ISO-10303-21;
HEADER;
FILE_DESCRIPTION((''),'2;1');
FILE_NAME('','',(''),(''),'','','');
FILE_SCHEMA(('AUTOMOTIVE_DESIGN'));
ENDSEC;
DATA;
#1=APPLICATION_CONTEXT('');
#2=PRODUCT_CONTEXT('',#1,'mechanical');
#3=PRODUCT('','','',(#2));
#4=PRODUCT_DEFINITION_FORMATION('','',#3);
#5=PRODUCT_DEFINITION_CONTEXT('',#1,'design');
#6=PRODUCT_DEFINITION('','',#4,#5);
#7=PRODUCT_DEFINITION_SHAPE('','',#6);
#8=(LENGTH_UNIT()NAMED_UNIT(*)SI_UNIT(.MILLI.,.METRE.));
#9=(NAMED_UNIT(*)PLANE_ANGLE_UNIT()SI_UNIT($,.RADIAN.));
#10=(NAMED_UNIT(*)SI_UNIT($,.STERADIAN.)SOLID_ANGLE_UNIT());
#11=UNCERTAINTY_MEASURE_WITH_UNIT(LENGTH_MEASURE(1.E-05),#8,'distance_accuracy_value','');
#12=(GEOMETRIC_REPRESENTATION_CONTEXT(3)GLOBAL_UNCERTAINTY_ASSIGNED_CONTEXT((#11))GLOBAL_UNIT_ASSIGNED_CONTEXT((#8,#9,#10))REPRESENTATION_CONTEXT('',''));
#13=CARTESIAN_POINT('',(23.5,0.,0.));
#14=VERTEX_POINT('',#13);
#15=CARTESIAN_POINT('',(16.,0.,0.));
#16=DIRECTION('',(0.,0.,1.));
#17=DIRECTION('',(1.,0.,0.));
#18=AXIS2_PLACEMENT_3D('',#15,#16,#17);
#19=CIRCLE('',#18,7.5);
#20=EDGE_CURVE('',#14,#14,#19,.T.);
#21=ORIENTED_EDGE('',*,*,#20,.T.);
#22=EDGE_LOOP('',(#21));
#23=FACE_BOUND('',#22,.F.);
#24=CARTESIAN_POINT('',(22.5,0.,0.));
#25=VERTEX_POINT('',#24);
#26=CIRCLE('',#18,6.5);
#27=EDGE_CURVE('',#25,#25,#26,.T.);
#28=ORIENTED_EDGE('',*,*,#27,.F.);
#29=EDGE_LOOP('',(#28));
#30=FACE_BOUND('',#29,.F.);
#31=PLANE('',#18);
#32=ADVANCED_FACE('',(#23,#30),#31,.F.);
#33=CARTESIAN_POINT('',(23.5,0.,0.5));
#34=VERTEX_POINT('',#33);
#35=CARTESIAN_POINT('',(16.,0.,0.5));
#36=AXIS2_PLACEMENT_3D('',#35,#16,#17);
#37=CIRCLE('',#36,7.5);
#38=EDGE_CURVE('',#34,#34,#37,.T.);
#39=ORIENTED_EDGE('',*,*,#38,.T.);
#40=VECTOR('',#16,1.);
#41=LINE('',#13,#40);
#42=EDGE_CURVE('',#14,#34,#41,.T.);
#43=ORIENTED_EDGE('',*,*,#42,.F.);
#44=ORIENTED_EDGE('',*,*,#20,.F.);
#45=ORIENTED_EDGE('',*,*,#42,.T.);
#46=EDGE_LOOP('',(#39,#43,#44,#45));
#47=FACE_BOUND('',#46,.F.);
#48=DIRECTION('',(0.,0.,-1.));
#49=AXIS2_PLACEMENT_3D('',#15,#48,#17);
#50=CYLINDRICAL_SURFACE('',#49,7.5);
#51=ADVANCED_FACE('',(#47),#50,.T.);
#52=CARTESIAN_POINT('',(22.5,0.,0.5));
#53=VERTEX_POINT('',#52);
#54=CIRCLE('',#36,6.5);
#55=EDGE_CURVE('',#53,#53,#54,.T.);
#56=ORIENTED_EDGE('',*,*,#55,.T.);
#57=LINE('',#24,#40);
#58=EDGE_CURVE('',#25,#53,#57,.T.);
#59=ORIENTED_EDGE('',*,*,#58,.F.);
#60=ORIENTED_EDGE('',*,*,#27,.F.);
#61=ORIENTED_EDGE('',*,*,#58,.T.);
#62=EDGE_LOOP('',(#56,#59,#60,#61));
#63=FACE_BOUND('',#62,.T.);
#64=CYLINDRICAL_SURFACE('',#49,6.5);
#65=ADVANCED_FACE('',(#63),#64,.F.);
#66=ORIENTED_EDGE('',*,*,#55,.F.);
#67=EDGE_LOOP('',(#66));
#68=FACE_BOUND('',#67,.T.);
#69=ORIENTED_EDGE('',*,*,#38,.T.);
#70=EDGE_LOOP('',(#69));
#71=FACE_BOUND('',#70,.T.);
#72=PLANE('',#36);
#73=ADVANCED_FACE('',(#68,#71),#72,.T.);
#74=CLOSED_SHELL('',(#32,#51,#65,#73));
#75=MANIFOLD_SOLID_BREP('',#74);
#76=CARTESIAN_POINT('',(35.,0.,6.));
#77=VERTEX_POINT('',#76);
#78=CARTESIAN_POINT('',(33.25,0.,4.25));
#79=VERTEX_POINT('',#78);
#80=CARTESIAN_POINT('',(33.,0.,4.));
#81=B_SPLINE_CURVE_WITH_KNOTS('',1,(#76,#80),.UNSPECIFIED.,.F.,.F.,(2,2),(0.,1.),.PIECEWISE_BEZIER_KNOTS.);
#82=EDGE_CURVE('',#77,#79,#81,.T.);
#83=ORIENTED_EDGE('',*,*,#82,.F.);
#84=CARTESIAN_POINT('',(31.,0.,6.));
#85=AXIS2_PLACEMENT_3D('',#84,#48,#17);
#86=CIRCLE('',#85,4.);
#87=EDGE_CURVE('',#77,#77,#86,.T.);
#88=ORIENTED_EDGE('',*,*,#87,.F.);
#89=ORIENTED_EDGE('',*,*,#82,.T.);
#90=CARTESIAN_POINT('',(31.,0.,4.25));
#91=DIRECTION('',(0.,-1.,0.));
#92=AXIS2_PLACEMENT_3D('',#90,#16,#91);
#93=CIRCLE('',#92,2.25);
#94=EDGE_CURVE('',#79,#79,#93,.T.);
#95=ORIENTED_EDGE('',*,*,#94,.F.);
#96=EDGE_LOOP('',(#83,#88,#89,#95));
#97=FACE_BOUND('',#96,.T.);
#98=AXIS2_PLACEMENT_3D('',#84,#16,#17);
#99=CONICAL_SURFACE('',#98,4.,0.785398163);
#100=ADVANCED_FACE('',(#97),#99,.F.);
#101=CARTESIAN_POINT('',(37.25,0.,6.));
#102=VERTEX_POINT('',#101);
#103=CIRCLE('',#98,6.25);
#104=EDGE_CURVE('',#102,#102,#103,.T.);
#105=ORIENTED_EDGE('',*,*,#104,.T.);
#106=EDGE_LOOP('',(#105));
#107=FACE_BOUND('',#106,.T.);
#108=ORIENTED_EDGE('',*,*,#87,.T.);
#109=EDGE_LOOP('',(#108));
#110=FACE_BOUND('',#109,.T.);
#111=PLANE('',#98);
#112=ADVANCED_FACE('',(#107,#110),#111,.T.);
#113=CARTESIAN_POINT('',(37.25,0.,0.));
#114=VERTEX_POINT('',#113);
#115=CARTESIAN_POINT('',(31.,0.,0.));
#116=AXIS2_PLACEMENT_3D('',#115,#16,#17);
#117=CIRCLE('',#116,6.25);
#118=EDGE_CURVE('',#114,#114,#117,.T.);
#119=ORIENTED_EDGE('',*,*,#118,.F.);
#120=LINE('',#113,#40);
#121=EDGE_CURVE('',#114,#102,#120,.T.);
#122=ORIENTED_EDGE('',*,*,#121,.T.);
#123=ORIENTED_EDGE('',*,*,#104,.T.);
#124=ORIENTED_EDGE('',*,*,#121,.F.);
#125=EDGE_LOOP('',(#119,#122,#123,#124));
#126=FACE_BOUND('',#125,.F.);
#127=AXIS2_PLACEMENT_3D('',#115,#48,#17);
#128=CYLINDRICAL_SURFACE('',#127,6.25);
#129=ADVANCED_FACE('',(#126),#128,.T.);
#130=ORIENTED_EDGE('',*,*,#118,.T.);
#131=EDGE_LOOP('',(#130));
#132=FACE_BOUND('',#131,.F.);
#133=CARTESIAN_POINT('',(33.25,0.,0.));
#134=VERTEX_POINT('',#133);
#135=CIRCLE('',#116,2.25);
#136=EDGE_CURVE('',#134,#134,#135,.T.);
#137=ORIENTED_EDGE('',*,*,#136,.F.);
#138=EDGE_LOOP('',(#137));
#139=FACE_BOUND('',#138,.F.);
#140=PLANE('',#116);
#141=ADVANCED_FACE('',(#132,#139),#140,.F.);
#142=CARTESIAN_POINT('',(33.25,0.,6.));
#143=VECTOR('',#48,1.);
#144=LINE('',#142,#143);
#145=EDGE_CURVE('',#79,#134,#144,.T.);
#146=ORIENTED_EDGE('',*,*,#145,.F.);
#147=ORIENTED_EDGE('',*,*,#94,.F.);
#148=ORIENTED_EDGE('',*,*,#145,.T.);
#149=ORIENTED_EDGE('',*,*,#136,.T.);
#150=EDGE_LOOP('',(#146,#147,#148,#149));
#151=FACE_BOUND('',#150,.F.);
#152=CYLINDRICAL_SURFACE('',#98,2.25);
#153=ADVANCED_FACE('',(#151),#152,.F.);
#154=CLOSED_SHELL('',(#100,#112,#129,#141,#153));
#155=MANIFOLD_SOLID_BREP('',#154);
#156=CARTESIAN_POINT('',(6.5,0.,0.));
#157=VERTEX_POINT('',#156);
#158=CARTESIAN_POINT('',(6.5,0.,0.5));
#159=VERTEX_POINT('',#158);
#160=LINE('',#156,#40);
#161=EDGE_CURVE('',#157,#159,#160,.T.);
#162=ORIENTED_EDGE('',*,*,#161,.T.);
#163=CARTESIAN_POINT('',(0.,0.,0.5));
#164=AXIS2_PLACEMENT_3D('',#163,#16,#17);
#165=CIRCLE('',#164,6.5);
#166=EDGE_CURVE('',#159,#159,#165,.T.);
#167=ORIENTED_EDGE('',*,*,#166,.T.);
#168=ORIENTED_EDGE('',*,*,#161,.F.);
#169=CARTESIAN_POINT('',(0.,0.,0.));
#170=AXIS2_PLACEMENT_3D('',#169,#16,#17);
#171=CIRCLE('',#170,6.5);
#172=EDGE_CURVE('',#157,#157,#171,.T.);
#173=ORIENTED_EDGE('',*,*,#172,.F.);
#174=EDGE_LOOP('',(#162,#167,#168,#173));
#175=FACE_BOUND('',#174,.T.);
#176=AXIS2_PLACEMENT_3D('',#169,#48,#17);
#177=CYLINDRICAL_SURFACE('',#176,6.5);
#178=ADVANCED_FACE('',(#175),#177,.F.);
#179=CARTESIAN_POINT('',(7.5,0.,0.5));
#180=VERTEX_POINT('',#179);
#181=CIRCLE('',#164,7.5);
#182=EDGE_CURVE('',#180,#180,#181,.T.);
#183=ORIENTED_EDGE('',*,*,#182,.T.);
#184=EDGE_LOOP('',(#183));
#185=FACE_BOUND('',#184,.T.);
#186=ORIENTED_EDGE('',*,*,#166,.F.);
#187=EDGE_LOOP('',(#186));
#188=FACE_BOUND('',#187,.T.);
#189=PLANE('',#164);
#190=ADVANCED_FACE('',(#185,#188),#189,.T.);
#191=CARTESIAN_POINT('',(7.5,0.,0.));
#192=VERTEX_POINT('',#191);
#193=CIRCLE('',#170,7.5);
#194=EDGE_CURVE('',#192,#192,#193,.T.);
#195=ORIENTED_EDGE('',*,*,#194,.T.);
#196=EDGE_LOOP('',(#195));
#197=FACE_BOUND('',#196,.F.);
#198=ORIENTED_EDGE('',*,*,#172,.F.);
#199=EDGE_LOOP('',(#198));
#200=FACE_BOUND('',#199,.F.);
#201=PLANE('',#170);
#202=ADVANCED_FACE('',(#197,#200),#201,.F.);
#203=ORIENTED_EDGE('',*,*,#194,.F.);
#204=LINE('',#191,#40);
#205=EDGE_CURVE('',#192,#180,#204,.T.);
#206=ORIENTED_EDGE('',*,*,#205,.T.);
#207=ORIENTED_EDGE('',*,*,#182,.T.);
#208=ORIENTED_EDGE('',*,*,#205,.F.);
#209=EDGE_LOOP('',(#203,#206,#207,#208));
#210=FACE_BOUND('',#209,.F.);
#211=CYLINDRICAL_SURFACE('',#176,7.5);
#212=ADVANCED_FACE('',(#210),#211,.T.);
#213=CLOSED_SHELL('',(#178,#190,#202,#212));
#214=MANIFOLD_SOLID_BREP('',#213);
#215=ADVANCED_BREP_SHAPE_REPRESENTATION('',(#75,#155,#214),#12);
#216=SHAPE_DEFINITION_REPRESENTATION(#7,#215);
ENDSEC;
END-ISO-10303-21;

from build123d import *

# Parameters (mm, degrees)
F0_R     = 7.5
F0_R_2   = 6.5
F1_DEPTH = 0.5
F2_R     = 6.25
F3_DEPTH = 6
F4_R     = 4
F5_DEPTH = 2
F5_TAPER = 45
F6_R     = 2.25
F7_DEPTH = 6


with BuildPart() as f1:
    # F0 (on Top) → F1 (new body)
    with BuildSketch(Plane.XY):
        Circle(F0_R)
        Circle(F0_R_2, mode=Mode.SUBTRACT)
    extrude(amount=F1_DEPTH)


with BuildPart() as f1b:
    # F0 (on Top) → F1, piece 2 (new body)
    with BuildSketch(Plane.XY):
        with Locations((16, 0)):
            Circle(F0_R)
        with Locations((16, 0)):
            Circle(F0_R_2, mode=Mode.SUBTRACT)
    extrude(amount=F1_DEPTH)


with BuildPart() as f3:
    # F2 (on Top) → F3 (new body)
    with BuildSketch(Plane.XY):
        with Locations((31, 0)):
            Circle(F2_R)
    extrude(amount=F3_DEPTH)

    # F4 (on face) → F5 (cut)
    with BuildSketch(Plane.XY.offset(6)):
        with Locations((31, 0)):
            Circle(F4_R)
    extrude(amount=-F5_DEPTH, taper=F5_TAPER, mode=Mode.SUBTRACT)

    # F6 (on face) → F7 (cut, through all)
    with BuildSketch(Plane.XY.offset(6)):
        with Locations((31, 0)):
            Circle(F6_R)
    extrude(amount=-F7_DEPTH, mode=Mode.SUBTRACT)


solid = Compound([f1.part, f1b.part, f3.part])
